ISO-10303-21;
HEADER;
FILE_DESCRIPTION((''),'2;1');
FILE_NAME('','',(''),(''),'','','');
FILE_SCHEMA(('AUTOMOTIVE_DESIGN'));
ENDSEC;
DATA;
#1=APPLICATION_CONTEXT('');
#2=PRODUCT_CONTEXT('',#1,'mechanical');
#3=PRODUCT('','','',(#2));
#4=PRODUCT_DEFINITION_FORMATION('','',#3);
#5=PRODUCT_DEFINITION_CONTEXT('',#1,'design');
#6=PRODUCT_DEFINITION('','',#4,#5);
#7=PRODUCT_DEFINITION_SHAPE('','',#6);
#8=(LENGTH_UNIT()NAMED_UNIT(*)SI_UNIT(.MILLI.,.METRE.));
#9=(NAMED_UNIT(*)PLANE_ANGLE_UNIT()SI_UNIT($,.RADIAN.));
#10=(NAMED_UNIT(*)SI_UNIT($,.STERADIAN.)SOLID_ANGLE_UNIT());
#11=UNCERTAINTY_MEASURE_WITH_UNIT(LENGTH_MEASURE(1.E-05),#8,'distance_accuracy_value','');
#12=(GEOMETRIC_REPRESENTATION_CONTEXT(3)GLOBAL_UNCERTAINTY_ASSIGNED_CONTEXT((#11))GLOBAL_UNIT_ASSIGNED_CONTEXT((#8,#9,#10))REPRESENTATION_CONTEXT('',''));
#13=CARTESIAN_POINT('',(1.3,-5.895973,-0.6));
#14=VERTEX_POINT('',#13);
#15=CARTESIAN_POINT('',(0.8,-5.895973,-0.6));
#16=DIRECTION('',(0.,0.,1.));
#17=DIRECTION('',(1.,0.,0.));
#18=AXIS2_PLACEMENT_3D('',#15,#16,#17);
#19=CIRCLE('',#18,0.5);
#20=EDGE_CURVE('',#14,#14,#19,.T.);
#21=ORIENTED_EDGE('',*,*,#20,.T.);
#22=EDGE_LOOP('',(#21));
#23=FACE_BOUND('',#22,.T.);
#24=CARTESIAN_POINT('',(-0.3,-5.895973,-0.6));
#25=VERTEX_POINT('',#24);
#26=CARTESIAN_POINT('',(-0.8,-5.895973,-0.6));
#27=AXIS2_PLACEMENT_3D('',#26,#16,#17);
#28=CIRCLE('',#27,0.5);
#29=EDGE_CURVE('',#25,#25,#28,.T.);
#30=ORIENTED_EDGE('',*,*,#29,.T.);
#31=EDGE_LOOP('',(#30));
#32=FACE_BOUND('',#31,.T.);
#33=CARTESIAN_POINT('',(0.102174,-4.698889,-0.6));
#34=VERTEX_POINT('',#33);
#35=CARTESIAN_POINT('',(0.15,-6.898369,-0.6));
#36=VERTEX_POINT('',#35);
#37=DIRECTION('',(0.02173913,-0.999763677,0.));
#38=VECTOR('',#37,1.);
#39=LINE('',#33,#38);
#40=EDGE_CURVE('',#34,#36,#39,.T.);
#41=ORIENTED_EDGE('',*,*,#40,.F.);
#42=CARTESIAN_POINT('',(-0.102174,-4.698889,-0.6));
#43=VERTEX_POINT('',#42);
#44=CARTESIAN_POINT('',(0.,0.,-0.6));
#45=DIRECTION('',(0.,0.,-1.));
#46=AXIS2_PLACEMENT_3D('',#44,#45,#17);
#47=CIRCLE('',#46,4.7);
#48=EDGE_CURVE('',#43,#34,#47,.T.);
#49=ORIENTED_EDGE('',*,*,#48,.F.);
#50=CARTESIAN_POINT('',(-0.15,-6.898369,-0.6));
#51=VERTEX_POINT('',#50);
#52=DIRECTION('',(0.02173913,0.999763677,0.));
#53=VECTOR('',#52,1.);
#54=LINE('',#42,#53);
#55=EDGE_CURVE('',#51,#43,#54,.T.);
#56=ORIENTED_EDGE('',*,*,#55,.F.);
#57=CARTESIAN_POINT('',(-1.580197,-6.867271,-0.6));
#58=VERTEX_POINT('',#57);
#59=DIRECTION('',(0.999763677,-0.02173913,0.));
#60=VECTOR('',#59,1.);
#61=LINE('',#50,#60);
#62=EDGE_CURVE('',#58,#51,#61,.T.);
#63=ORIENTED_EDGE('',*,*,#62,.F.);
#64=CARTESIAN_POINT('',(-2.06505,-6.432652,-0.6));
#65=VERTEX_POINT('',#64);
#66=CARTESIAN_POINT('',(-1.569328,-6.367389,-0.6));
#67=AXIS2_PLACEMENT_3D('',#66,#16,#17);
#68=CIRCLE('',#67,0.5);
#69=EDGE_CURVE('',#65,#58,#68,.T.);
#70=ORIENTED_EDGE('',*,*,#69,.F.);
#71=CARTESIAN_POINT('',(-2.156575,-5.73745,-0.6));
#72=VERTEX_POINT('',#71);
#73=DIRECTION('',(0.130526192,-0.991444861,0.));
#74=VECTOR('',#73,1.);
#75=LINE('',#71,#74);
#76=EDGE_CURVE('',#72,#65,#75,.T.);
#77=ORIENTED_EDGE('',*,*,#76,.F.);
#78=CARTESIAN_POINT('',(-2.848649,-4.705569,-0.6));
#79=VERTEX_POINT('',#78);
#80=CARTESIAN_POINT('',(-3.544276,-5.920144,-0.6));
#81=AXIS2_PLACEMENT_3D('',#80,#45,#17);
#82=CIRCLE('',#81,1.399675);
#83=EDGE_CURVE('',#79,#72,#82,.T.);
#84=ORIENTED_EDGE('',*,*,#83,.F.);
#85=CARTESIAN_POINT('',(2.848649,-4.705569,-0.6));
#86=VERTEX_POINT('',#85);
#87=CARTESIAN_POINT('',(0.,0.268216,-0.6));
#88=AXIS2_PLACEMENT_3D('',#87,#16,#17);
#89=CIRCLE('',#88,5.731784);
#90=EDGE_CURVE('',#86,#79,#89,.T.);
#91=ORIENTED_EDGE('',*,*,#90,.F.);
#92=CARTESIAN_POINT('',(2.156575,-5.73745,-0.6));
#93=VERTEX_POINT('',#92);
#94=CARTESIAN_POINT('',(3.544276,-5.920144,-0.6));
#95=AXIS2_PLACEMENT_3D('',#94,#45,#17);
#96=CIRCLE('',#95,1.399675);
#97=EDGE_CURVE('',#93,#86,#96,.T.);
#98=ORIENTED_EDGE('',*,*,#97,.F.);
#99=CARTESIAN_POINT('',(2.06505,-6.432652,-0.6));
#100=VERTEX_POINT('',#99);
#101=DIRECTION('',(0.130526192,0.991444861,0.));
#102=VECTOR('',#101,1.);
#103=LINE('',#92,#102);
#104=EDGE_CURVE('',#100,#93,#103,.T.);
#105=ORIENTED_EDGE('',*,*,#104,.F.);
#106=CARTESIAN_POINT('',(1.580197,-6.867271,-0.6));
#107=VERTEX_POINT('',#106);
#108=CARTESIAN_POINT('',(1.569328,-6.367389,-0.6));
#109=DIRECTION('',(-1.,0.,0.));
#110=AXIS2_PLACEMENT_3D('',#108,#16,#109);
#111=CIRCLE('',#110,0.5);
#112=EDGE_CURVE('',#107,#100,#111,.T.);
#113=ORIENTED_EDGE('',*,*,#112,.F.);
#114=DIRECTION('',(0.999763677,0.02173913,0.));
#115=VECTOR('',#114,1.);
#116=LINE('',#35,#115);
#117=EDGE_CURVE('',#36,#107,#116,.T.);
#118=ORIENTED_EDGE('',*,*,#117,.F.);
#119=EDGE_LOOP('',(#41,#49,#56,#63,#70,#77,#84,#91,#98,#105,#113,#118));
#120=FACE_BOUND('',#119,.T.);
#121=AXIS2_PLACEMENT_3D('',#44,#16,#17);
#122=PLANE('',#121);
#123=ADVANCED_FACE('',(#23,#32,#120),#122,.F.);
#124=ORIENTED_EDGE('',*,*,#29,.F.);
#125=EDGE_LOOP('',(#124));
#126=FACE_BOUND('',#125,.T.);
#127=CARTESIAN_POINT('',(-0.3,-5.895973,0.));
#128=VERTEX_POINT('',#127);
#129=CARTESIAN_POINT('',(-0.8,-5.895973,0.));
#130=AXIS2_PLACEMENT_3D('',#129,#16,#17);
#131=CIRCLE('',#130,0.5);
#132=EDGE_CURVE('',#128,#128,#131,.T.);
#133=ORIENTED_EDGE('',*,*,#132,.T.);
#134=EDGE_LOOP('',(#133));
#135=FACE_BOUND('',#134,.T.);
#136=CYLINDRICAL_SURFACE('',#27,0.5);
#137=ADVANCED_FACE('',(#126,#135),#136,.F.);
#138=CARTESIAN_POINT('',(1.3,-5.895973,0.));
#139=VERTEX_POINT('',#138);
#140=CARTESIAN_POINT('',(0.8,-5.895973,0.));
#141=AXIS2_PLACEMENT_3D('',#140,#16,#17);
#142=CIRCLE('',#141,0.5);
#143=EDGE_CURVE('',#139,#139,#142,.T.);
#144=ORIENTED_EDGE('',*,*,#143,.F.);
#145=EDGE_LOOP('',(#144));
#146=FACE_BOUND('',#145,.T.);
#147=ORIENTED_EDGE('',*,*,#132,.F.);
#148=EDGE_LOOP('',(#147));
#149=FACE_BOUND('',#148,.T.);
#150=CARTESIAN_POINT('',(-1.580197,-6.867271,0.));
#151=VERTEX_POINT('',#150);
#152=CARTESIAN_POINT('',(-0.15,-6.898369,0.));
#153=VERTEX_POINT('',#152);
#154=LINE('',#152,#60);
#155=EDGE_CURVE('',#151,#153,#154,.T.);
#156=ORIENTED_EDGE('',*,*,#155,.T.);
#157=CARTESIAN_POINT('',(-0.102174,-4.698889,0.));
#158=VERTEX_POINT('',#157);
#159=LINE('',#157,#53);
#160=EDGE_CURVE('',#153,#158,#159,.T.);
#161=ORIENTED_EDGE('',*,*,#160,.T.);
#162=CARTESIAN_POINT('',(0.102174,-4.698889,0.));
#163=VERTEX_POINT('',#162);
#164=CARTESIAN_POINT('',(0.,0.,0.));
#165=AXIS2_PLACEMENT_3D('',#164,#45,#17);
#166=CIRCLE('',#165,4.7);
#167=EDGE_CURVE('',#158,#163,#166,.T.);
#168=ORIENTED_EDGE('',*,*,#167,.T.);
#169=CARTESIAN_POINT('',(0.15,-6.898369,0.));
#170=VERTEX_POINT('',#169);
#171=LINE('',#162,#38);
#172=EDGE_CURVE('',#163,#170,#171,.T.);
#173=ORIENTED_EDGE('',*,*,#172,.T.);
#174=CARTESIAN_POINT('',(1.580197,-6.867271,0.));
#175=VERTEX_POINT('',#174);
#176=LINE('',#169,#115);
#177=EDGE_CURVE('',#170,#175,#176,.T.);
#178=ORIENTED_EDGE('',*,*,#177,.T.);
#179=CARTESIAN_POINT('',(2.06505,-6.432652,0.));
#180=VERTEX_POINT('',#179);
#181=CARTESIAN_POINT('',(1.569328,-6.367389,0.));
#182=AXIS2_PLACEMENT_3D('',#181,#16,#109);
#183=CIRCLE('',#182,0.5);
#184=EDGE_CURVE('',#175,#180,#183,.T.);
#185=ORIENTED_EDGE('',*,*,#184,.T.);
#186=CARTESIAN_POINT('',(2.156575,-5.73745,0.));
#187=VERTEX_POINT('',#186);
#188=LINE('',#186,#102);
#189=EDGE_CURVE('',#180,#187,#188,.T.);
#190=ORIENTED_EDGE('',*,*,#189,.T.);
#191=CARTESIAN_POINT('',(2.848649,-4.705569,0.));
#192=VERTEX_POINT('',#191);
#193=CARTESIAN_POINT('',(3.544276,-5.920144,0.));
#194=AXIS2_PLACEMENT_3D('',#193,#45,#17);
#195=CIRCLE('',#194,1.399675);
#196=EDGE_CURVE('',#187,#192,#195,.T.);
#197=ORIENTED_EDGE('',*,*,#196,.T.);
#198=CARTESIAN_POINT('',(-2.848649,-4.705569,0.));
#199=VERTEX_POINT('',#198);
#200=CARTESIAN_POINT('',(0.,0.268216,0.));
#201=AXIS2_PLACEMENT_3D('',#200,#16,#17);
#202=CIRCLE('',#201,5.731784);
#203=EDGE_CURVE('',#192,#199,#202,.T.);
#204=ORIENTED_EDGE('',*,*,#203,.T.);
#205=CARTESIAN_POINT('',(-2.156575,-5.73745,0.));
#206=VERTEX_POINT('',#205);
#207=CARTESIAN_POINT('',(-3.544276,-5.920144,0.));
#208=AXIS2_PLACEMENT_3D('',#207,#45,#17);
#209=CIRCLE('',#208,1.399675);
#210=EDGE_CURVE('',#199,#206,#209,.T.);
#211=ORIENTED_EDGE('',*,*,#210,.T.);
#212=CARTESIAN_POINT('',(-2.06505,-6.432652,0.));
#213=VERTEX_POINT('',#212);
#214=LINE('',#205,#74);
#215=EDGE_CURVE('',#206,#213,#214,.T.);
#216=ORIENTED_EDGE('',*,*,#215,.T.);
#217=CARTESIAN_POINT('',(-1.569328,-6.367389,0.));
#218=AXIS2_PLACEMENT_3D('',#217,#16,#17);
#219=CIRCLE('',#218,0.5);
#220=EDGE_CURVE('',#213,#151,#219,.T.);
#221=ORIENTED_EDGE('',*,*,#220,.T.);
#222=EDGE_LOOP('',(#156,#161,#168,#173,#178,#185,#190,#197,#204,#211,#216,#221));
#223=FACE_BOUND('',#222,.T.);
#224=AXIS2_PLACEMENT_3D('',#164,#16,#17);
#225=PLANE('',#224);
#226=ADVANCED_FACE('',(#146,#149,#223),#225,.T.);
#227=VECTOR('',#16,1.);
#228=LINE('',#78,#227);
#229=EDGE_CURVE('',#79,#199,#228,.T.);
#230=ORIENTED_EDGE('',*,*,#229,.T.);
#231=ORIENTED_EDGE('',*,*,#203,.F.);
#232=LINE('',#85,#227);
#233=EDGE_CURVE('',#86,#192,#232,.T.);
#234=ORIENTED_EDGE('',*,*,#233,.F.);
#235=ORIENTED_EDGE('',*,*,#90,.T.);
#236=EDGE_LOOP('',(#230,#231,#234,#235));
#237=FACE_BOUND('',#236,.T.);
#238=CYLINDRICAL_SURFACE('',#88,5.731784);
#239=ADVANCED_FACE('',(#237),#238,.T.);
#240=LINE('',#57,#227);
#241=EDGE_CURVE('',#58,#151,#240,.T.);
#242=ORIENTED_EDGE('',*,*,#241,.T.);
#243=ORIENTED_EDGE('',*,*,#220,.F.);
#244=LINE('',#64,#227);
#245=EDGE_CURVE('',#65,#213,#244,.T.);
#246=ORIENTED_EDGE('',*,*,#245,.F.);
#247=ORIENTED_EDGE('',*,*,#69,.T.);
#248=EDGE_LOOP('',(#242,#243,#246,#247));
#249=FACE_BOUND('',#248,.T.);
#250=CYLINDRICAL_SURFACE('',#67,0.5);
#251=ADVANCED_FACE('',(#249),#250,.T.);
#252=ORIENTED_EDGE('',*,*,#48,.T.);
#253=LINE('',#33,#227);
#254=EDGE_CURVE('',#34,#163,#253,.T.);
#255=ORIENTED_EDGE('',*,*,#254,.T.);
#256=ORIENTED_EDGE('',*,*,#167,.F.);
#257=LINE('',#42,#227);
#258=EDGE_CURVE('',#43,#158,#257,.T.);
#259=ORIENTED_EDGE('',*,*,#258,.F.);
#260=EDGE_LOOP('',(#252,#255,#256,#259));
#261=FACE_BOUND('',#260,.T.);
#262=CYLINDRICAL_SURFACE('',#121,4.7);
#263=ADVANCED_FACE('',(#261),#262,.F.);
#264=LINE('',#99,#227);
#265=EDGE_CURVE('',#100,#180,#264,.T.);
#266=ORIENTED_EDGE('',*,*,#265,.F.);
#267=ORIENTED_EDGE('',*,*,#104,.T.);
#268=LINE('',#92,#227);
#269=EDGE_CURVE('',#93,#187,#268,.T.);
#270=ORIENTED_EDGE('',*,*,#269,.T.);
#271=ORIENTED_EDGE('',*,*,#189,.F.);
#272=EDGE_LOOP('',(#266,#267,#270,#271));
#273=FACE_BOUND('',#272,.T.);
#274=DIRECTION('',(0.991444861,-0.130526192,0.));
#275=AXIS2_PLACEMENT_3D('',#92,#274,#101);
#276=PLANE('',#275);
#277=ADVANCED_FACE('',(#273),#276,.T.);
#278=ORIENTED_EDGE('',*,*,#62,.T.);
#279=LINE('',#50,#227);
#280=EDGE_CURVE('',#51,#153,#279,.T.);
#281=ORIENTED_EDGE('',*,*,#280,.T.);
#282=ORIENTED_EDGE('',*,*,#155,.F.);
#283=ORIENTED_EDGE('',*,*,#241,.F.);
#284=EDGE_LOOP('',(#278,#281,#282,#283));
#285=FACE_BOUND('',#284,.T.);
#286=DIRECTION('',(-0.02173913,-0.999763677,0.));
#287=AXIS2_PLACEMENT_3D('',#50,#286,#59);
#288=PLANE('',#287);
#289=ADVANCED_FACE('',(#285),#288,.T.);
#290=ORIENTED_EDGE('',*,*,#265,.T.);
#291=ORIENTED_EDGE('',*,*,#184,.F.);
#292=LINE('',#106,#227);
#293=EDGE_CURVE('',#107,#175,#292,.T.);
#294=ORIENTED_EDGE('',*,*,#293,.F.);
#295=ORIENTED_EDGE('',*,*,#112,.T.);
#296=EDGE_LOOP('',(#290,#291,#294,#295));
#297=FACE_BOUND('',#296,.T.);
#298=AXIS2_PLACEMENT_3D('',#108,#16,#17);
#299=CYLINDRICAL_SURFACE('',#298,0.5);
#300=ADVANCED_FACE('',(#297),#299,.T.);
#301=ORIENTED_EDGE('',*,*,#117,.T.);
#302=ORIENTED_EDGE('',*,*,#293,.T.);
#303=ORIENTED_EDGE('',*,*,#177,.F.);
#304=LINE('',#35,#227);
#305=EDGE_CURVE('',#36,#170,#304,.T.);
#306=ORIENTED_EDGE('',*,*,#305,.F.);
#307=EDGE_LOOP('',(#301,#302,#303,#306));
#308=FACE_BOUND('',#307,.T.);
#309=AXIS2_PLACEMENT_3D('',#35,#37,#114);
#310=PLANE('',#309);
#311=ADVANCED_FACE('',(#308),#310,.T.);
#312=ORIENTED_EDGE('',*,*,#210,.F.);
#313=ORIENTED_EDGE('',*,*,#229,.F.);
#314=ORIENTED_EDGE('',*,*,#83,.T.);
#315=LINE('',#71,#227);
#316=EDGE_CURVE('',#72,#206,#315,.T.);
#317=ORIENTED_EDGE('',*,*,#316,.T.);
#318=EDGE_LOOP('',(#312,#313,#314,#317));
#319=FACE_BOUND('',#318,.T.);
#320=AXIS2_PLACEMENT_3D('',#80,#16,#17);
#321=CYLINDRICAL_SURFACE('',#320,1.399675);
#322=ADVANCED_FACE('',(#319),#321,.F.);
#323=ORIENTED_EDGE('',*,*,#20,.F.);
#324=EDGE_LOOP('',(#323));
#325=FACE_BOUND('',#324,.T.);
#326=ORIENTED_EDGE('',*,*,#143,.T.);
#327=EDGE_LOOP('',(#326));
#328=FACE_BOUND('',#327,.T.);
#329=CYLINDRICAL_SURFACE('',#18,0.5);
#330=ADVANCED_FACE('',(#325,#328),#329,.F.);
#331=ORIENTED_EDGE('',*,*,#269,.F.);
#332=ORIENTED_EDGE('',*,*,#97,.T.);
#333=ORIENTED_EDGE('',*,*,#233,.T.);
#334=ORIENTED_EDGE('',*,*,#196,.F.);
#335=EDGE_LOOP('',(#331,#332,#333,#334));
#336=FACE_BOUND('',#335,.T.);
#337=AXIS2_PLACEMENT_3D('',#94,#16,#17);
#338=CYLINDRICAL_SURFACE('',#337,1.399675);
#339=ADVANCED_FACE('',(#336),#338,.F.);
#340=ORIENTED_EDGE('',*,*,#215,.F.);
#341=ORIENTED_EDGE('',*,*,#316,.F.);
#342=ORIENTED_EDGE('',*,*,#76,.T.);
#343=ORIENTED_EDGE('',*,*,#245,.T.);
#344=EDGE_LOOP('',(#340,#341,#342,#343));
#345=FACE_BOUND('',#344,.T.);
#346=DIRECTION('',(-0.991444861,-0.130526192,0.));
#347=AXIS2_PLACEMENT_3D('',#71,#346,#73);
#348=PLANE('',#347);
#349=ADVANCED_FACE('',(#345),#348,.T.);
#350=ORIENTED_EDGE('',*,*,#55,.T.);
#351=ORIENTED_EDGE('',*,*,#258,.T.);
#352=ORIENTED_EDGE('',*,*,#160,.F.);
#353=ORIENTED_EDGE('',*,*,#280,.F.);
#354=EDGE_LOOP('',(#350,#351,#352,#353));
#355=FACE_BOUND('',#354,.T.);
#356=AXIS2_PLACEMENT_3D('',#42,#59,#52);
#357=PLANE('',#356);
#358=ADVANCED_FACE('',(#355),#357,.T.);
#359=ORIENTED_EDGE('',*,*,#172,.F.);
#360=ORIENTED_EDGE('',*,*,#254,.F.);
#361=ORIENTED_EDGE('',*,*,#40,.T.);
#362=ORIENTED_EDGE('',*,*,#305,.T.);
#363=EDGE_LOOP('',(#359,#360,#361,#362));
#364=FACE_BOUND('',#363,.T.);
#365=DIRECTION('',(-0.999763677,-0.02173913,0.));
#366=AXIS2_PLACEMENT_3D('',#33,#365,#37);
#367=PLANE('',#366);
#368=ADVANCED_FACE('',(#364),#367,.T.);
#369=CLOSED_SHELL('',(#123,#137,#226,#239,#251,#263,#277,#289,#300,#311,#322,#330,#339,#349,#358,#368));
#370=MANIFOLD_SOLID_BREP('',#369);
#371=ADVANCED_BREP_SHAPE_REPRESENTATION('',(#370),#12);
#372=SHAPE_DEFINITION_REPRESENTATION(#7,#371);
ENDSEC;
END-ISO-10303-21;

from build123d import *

# Parameters (mm, degrees)
BODYSKE_R  = 0.5
BODY_DEPTH = 0.6


with BuildPart() as part:
    # BodySke → Body (new body)
    with BuildSketch(Plane.XY):
        with BuildLine():
            Line((0.102173913, -4.698889283), (0.15, -6.898369373))
            Line((0.15, -6.898369373), (1.58019735, -6.867270777))
            ThreePointArc((1.58019735, -6.867270777), (1.903067541, -6.739703018), (2.065050215, -6.432652034))
            Line((2.065050215, -6.432652034), (2.156575283, -5.737450123))
            ThreePointArc((2.156575283, -5.737450123), (2.38183962, -5.140508531), (2.848648944, -4.705569062))
            ThreePointArc((2.848648944, -4.705569062), (0, 6), (-2.848648944, -4.705569062))
            ThreePointArc((-2.848648944, -4.705569062), (-2.38183962, -5.140508531), (-2.156575283, -5.737450123))
            Line((-2.156575283, -5.737450123), (-2.065050215, -6.432652034))
            ThreePointArc((-2.065050215, -6.432652034), (-1.903067541, -6.739703018), (-1.58019735, -6.867270777))
            Line((-1.58019735, -6.867270777), (-0.15, -6.898369373))
            Line((-0.15, -6.898369373), (-0.102173913, -4.698889283))
            ThreePointArc((-0.102173913, -4.698889283), (0, 4.7), (0.102173913, -4.698889283))
        make_face()
        with Locations((0.8, -5.895973202)):
            Circle(BODYSKE_R, mode=Mode.SUBTRACT)
        with Locations((-0.8, -5.895973202)):
            Circle(BODYSKE_R, mode=Mode.SUBTRACT)
    extrude(amount=-BODY_DEPTH)


solid = part.part
